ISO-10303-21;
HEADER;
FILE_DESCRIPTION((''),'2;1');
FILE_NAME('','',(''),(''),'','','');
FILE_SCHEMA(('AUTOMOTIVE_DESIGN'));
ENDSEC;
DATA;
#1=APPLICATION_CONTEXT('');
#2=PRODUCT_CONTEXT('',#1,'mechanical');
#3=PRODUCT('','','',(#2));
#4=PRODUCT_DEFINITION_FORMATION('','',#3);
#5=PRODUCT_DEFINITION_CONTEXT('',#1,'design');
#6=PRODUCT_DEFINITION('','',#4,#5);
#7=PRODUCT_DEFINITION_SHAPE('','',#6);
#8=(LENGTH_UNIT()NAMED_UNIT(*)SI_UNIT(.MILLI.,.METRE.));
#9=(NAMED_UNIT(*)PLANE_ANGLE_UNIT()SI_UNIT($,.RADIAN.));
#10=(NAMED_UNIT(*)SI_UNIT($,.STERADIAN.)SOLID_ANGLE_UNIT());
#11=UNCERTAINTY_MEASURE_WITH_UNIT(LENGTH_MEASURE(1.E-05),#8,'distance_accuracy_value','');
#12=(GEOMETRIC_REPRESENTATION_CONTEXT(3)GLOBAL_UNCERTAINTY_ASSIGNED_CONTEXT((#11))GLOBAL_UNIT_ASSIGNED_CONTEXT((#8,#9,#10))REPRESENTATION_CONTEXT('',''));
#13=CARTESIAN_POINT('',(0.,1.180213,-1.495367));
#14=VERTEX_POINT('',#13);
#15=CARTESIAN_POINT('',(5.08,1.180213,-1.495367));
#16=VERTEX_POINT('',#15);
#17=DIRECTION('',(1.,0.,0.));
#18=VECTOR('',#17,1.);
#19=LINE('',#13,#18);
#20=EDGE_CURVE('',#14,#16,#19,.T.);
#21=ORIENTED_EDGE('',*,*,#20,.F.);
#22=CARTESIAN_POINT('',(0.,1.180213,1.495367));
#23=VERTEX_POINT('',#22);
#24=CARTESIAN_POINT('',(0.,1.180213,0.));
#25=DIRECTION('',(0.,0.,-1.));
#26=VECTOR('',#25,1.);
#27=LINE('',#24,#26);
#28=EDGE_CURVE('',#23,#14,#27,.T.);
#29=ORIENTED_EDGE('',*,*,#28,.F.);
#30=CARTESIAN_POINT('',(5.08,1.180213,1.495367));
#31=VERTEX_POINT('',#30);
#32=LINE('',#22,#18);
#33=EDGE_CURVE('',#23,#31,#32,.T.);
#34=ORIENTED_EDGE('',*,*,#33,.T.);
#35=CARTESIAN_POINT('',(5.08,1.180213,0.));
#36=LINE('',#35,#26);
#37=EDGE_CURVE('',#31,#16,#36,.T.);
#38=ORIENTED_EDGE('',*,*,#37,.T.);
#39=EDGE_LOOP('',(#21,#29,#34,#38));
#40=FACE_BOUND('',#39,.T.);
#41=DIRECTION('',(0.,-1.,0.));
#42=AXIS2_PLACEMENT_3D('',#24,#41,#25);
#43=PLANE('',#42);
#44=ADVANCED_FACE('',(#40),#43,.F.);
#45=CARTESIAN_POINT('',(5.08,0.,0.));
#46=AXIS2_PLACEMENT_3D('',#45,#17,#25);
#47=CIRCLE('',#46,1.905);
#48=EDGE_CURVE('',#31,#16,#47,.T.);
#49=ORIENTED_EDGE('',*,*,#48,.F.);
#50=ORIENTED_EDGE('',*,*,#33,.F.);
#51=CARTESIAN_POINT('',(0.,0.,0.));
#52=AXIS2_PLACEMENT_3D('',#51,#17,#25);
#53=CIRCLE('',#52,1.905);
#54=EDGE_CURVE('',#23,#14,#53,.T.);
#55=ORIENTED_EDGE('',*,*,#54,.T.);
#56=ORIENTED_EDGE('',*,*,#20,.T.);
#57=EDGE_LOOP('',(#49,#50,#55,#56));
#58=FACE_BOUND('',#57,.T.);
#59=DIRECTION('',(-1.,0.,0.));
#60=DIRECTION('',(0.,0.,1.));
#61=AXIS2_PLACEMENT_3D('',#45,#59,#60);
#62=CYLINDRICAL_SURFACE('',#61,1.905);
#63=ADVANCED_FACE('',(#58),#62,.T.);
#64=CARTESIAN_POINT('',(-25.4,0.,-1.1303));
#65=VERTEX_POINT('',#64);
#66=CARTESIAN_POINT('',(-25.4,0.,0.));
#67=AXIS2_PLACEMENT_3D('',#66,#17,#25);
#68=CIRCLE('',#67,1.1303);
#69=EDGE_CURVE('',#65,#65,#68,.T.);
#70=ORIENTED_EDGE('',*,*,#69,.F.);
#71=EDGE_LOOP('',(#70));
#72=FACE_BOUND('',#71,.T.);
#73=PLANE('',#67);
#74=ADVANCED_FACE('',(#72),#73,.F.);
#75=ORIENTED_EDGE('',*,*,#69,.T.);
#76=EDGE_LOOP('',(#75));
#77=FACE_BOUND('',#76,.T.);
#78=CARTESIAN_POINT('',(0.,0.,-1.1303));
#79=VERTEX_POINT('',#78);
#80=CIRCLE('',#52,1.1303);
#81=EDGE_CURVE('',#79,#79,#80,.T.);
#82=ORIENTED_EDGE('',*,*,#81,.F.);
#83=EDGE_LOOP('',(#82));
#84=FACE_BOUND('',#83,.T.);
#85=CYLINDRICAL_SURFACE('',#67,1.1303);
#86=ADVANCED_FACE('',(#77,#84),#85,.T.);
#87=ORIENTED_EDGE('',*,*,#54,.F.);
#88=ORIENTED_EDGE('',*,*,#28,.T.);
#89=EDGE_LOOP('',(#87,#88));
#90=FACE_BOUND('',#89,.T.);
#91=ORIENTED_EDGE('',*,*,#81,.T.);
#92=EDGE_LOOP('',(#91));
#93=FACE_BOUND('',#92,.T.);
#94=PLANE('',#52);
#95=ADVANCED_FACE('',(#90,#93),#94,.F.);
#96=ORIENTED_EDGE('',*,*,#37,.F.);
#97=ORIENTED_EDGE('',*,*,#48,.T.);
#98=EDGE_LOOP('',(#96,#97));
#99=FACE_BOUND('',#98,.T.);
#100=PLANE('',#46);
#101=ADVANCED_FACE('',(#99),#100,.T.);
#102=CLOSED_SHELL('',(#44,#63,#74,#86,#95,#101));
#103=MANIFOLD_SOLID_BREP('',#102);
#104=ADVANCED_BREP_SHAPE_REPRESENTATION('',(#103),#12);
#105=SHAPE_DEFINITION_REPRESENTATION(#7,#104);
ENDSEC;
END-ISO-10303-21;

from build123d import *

# Parameters (mm, degrees)
SKETCH2_R           = 1.1303
BOSS_EXTRUDE1_DEPTH = 25.4
SKETCH3_R           = 1.905
BOSS_EXTRUDE2_DEPTH = 5.08
CUT_EXTRUDE1_DEPTH  = 5.08


with BuildPart() as part:
    # Sketch2 → Boss-Extrude1 (new body)
    with BuildSketch(Plane(origin=(0, 0, 0), x_dir=(0, 0, -1), z_dir=(1, 0, 0))):
        Circle(SKETCH2_R)
    extrude(amount=-BOSS_EXTRUDE1_DEPTH)

    # Sketch3 → Boss-Extrude2 (add)
    with BuildSketch(Plane(origin=(0, 0, 0), x_dir=(0, 0, -1), z_dir=(1, 0, 0))):
        Circle(SKETCH3_R)
    extrude(amount=BOSS_EXTRUDE2_DEPTH)

    # Sketch4 → Cut-Extrude1 (cut)
    with BuildSketch(Plane(origin=(5.08, 0, 0), x_dir=(0, 0, -1), z_dir=(1, 0, 0))):
        with BuildLine():
            Line((-1.495366573, 1.18021346), (1.495366573, 1.18021346))
            ThreePointArc((1.495366573, 1.18021346), (0, 1.905), (-1.495366573, 1.18021346))
        make_face()
    extrude(amount=-CUT_EXTRUDE1_DEPTH, mode=Mode.SUBTRACT)


solid = part.part
